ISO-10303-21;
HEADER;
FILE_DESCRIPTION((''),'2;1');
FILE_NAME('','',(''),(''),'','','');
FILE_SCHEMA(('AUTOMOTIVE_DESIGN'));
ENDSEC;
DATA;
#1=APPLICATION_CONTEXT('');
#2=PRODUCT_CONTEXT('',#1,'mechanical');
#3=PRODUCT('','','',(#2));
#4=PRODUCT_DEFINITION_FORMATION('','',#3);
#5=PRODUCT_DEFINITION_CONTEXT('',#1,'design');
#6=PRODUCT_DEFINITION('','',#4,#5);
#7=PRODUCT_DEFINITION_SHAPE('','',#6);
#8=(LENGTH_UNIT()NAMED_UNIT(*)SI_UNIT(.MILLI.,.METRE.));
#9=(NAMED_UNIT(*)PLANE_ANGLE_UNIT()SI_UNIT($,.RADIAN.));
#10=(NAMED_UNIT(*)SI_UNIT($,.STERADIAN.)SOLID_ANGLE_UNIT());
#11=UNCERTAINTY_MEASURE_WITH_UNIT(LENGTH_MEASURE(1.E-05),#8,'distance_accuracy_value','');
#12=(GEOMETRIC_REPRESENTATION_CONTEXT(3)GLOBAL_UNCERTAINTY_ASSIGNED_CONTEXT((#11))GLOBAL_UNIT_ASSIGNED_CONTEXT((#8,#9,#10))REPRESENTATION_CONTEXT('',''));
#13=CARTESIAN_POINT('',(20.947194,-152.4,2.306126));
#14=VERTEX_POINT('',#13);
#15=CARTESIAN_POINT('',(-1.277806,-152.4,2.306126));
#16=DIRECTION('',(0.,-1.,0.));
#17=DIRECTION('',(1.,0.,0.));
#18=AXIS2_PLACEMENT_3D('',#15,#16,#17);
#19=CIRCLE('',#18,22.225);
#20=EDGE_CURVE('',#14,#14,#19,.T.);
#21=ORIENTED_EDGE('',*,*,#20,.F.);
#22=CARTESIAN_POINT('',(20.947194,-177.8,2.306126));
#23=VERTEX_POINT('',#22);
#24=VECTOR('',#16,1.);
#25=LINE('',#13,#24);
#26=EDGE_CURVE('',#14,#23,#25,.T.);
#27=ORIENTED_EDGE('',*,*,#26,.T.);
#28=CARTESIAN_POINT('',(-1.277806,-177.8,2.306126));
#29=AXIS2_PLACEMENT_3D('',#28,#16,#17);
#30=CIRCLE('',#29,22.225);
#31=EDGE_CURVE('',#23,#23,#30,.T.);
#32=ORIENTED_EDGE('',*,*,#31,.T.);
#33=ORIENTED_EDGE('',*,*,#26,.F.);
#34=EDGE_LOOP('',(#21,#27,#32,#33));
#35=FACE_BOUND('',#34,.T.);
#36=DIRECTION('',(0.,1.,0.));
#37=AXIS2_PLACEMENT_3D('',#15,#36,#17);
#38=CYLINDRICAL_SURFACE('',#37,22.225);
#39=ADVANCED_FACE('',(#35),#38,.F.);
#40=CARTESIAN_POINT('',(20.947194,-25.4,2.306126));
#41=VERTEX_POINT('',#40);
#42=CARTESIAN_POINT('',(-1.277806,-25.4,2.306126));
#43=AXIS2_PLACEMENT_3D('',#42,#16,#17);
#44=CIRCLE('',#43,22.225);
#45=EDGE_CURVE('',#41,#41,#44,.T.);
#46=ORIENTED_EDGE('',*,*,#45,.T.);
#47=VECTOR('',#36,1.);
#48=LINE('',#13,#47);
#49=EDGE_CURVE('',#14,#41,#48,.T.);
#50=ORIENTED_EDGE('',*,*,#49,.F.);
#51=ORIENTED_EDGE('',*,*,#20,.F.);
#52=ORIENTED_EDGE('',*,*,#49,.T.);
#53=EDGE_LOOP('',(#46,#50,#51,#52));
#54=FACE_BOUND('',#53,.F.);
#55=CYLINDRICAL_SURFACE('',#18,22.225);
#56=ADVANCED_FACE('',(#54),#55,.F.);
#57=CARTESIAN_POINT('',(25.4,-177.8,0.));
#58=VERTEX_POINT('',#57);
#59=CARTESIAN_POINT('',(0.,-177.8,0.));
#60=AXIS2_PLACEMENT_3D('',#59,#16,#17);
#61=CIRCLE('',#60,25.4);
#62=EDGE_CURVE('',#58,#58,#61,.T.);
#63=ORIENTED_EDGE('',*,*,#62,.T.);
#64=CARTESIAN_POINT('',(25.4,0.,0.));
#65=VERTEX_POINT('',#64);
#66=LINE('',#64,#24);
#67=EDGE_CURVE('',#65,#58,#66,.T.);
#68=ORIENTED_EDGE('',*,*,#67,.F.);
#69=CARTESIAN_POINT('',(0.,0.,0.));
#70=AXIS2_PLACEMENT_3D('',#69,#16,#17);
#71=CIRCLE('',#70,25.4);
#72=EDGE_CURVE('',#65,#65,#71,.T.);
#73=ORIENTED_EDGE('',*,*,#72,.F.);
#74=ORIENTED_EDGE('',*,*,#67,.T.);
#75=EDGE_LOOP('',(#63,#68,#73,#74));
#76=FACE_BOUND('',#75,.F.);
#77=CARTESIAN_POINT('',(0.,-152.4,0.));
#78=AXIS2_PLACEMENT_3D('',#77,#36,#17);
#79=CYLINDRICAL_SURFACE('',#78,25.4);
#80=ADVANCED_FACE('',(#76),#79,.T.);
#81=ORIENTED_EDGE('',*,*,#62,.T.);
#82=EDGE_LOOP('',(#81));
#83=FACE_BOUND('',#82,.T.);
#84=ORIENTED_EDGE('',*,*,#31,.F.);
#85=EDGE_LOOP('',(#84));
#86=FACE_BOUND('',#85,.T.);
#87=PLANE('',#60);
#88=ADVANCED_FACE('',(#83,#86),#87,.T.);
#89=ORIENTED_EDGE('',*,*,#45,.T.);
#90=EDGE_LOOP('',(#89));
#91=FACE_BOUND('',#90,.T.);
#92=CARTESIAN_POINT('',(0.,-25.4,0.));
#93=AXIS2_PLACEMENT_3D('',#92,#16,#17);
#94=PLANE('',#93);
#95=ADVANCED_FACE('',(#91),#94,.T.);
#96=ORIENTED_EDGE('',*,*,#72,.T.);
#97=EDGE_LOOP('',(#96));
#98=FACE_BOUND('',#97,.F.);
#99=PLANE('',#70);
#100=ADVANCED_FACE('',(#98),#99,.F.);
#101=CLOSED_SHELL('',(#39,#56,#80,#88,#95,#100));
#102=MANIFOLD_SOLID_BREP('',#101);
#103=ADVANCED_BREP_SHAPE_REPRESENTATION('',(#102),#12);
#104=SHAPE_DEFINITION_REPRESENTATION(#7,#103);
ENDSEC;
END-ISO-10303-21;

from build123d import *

# Parameters (mm, degrees)
F0_R     = 25.4
F1_DEPTH = 152.4
F2_R     = 22.225
F3_DEPTH = 146.05
F4_DEPTH = 25.4


with BuildPart() as f1:
    # F0 (on Front) → F1 (new body)
    with BuildSketch(Plane.XZ):
        Circle(F0_R)
    extrude(amount=F1_DEPTH)

    # F2 (on face) → F3 (cut)
    with BuildSketch(Plane.XZ.offset(152.4)):
        with Locations((-1.2778061209, 2.3061255924)):
            Circle(F2_R)
    extrude(amount=-F3_DEPTH, mode=Mode.SUBTRACT)

    # F4 (add): faces of the model
    f4_faces = [f1.faces().sort_by_distance(p)[0] for p in [
        (-24.6815795103, -152.4, 0),
        (0, 0, 0),
    ]]
    extrude(f4_faces, amount=F4_DEPTH, dir=(0, -1, 0))


solid = f1.part
